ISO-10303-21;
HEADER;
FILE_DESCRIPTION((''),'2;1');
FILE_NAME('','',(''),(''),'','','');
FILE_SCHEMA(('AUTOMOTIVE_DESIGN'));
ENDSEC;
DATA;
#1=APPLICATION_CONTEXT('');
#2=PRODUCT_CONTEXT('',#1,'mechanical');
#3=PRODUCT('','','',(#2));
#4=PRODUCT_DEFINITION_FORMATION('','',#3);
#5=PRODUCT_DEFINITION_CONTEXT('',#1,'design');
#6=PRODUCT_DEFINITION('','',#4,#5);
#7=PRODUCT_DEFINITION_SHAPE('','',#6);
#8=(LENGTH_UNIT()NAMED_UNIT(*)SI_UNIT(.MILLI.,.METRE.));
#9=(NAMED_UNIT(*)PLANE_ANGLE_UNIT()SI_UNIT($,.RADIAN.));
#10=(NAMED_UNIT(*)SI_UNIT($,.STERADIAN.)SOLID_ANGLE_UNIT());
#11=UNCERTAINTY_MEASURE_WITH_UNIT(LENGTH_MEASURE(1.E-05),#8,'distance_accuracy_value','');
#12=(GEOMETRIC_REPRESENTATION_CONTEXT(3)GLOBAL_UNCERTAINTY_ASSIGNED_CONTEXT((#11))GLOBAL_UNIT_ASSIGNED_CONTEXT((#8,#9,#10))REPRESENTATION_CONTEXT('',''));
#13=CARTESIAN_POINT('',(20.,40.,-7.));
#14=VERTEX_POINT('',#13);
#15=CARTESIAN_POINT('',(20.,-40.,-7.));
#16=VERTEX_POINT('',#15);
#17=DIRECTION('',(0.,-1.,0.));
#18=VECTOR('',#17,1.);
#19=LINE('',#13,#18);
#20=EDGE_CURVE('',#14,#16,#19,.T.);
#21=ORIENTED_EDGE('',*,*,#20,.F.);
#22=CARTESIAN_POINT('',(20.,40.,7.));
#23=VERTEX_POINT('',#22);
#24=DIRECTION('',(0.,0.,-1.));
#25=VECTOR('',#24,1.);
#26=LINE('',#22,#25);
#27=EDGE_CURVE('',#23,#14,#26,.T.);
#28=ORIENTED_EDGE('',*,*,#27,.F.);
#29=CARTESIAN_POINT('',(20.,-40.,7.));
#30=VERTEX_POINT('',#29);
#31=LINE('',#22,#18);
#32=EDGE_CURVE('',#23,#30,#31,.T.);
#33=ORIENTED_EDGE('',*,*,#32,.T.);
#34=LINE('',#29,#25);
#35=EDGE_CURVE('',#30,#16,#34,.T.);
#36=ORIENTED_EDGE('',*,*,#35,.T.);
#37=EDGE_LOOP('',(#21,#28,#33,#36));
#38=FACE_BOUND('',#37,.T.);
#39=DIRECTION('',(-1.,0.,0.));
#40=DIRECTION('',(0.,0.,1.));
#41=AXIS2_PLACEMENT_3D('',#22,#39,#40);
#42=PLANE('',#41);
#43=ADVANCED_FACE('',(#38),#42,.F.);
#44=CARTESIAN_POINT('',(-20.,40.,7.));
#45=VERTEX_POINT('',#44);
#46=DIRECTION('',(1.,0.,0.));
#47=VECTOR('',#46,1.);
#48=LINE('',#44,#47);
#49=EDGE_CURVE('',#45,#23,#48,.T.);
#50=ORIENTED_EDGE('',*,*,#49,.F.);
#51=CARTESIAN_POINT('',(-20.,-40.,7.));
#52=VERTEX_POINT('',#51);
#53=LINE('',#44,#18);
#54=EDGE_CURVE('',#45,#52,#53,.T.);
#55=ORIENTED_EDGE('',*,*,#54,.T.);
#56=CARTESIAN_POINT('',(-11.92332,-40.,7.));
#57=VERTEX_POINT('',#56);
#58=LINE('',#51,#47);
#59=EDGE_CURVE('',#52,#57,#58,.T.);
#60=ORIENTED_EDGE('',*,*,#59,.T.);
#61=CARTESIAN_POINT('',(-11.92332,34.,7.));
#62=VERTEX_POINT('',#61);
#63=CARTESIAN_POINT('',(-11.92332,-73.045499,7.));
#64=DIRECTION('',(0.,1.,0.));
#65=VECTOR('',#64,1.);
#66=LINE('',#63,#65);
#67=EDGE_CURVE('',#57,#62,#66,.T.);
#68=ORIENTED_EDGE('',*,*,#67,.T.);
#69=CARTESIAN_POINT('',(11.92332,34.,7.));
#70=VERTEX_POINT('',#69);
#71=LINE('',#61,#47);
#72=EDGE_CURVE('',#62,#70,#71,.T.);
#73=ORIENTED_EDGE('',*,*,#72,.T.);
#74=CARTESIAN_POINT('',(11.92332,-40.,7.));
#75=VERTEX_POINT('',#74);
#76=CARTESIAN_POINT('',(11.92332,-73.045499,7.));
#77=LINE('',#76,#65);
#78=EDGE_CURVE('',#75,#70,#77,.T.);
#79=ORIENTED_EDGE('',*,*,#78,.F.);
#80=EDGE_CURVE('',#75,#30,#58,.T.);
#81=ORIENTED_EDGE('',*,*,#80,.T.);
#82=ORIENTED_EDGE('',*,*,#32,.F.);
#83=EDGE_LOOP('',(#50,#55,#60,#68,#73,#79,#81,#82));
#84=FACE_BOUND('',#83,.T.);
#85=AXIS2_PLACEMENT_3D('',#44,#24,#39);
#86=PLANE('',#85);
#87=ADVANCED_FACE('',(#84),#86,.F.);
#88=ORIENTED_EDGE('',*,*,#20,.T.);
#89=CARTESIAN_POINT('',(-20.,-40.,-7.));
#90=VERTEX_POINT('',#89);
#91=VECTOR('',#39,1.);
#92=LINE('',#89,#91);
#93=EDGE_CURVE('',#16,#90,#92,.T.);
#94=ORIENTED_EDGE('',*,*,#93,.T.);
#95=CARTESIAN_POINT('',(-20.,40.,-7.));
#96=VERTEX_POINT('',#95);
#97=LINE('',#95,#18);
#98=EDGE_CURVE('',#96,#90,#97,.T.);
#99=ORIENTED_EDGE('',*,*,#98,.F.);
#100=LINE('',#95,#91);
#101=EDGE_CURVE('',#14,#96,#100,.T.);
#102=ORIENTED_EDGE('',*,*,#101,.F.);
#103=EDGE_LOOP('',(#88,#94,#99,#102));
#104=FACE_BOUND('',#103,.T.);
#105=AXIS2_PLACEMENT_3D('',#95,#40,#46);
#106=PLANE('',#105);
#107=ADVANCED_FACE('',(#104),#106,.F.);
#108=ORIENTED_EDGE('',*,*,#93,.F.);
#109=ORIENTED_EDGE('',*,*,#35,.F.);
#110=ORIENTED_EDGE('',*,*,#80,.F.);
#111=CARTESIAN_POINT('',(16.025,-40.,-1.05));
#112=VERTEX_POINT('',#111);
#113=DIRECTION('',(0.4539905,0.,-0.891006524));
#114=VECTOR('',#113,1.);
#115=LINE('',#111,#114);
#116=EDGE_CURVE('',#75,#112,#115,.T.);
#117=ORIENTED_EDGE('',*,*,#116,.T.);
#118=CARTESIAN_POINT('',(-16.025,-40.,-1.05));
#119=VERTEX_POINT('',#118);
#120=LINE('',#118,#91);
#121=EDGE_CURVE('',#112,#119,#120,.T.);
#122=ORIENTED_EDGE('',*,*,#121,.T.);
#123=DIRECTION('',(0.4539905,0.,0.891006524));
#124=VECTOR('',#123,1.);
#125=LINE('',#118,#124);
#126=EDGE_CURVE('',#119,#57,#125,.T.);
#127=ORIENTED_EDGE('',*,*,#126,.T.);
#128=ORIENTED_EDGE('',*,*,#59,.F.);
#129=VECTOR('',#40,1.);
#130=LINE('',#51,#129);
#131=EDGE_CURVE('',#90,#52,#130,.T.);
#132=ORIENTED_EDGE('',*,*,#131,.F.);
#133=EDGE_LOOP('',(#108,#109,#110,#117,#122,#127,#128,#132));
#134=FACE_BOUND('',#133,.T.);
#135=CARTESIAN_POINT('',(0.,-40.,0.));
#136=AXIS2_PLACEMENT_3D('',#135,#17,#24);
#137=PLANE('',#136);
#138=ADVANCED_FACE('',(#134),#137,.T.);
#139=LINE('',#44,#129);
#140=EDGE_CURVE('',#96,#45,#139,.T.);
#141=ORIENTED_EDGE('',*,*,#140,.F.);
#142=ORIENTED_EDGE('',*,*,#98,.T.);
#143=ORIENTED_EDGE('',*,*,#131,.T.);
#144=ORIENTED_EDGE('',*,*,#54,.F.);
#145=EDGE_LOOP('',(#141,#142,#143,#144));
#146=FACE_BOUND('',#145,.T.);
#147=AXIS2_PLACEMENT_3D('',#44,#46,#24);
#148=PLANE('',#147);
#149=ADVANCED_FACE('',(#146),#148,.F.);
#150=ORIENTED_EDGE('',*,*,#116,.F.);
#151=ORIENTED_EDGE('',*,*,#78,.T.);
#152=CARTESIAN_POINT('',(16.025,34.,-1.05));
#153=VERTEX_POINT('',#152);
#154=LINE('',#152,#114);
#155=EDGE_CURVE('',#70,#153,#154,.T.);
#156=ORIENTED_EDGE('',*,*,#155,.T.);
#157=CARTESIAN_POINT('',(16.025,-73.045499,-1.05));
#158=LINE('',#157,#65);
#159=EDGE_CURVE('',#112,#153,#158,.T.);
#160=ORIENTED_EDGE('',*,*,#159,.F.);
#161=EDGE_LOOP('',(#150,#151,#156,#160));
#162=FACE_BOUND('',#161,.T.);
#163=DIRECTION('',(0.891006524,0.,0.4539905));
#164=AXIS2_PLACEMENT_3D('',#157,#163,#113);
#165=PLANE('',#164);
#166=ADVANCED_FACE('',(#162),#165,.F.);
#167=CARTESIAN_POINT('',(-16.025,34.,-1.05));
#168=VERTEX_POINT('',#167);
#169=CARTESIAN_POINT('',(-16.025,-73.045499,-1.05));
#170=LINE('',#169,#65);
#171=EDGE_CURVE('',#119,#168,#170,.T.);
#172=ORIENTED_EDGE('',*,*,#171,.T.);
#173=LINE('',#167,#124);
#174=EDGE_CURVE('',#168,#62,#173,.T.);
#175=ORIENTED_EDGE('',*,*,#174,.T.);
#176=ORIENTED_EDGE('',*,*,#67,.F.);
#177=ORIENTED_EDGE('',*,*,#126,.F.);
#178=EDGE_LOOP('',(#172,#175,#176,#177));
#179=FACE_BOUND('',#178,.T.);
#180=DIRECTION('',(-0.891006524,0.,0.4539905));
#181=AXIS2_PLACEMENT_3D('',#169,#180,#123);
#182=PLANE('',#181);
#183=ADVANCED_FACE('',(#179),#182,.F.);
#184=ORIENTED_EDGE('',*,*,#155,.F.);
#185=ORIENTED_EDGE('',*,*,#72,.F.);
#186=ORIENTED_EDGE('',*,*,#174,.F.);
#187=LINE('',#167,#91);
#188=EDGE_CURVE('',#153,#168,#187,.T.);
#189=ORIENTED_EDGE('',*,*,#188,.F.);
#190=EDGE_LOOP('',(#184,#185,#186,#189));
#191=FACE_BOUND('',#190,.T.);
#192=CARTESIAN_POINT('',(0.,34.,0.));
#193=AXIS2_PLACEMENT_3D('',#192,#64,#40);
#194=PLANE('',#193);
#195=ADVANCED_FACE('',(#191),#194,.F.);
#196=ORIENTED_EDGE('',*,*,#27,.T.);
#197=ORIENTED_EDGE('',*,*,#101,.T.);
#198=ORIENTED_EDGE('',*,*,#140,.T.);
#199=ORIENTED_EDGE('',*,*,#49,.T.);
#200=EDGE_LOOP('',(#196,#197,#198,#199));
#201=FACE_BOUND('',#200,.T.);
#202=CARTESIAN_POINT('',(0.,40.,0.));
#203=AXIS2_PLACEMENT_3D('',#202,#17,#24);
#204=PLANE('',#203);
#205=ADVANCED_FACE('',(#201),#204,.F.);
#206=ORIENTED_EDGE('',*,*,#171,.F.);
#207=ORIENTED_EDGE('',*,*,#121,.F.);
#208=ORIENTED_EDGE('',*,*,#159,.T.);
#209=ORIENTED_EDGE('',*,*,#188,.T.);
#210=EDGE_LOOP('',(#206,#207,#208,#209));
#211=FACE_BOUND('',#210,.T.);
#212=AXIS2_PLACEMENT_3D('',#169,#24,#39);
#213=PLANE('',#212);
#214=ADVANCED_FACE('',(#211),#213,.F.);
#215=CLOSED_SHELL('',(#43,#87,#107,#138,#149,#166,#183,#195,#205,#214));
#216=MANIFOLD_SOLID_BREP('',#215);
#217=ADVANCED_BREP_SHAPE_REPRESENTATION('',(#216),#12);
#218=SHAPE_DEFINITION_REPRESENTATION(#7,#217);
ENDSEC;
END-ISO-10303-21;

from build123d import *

# Parameters (mm, degrees)
SKETCH1_W           = 40
SKETCH1_H           = 14
BOSS_EXTRUDE1_DEPTH = 40
CUT_EXTRUDE1_DEPTH  = 74


with BuildPart() as part:
    # Sketch1 → Boss-Extrude1 (new, symmetric)
    with BuildSketch(Plane(origin=(0, 0, 0), x_dir=(1, 0, 0), z_dir=(0, 1, 0))):
        Rectangle(SKETCH1_W, SKETCH1_H)
    extrude(amount=BOSS_EXTRUDE1_DEPTH, both=True)

    # Sketch3 → Cut-Extrude1 (cut)
    with BuildSketch(Plane(origin=(0, 34, 0), x_dir=(1, 0, 0), z_dir=(0, 1, 0))):
        Polygon((-16.025, 1.05), (16.025, 1.05), (11.923320132, -7), (-11.923320132, -7), align=None)
    extrude(amount=-CUT_EXTRUDE1_DEPTH, mode=Mode.SUBTRACT)


solid = part.part
